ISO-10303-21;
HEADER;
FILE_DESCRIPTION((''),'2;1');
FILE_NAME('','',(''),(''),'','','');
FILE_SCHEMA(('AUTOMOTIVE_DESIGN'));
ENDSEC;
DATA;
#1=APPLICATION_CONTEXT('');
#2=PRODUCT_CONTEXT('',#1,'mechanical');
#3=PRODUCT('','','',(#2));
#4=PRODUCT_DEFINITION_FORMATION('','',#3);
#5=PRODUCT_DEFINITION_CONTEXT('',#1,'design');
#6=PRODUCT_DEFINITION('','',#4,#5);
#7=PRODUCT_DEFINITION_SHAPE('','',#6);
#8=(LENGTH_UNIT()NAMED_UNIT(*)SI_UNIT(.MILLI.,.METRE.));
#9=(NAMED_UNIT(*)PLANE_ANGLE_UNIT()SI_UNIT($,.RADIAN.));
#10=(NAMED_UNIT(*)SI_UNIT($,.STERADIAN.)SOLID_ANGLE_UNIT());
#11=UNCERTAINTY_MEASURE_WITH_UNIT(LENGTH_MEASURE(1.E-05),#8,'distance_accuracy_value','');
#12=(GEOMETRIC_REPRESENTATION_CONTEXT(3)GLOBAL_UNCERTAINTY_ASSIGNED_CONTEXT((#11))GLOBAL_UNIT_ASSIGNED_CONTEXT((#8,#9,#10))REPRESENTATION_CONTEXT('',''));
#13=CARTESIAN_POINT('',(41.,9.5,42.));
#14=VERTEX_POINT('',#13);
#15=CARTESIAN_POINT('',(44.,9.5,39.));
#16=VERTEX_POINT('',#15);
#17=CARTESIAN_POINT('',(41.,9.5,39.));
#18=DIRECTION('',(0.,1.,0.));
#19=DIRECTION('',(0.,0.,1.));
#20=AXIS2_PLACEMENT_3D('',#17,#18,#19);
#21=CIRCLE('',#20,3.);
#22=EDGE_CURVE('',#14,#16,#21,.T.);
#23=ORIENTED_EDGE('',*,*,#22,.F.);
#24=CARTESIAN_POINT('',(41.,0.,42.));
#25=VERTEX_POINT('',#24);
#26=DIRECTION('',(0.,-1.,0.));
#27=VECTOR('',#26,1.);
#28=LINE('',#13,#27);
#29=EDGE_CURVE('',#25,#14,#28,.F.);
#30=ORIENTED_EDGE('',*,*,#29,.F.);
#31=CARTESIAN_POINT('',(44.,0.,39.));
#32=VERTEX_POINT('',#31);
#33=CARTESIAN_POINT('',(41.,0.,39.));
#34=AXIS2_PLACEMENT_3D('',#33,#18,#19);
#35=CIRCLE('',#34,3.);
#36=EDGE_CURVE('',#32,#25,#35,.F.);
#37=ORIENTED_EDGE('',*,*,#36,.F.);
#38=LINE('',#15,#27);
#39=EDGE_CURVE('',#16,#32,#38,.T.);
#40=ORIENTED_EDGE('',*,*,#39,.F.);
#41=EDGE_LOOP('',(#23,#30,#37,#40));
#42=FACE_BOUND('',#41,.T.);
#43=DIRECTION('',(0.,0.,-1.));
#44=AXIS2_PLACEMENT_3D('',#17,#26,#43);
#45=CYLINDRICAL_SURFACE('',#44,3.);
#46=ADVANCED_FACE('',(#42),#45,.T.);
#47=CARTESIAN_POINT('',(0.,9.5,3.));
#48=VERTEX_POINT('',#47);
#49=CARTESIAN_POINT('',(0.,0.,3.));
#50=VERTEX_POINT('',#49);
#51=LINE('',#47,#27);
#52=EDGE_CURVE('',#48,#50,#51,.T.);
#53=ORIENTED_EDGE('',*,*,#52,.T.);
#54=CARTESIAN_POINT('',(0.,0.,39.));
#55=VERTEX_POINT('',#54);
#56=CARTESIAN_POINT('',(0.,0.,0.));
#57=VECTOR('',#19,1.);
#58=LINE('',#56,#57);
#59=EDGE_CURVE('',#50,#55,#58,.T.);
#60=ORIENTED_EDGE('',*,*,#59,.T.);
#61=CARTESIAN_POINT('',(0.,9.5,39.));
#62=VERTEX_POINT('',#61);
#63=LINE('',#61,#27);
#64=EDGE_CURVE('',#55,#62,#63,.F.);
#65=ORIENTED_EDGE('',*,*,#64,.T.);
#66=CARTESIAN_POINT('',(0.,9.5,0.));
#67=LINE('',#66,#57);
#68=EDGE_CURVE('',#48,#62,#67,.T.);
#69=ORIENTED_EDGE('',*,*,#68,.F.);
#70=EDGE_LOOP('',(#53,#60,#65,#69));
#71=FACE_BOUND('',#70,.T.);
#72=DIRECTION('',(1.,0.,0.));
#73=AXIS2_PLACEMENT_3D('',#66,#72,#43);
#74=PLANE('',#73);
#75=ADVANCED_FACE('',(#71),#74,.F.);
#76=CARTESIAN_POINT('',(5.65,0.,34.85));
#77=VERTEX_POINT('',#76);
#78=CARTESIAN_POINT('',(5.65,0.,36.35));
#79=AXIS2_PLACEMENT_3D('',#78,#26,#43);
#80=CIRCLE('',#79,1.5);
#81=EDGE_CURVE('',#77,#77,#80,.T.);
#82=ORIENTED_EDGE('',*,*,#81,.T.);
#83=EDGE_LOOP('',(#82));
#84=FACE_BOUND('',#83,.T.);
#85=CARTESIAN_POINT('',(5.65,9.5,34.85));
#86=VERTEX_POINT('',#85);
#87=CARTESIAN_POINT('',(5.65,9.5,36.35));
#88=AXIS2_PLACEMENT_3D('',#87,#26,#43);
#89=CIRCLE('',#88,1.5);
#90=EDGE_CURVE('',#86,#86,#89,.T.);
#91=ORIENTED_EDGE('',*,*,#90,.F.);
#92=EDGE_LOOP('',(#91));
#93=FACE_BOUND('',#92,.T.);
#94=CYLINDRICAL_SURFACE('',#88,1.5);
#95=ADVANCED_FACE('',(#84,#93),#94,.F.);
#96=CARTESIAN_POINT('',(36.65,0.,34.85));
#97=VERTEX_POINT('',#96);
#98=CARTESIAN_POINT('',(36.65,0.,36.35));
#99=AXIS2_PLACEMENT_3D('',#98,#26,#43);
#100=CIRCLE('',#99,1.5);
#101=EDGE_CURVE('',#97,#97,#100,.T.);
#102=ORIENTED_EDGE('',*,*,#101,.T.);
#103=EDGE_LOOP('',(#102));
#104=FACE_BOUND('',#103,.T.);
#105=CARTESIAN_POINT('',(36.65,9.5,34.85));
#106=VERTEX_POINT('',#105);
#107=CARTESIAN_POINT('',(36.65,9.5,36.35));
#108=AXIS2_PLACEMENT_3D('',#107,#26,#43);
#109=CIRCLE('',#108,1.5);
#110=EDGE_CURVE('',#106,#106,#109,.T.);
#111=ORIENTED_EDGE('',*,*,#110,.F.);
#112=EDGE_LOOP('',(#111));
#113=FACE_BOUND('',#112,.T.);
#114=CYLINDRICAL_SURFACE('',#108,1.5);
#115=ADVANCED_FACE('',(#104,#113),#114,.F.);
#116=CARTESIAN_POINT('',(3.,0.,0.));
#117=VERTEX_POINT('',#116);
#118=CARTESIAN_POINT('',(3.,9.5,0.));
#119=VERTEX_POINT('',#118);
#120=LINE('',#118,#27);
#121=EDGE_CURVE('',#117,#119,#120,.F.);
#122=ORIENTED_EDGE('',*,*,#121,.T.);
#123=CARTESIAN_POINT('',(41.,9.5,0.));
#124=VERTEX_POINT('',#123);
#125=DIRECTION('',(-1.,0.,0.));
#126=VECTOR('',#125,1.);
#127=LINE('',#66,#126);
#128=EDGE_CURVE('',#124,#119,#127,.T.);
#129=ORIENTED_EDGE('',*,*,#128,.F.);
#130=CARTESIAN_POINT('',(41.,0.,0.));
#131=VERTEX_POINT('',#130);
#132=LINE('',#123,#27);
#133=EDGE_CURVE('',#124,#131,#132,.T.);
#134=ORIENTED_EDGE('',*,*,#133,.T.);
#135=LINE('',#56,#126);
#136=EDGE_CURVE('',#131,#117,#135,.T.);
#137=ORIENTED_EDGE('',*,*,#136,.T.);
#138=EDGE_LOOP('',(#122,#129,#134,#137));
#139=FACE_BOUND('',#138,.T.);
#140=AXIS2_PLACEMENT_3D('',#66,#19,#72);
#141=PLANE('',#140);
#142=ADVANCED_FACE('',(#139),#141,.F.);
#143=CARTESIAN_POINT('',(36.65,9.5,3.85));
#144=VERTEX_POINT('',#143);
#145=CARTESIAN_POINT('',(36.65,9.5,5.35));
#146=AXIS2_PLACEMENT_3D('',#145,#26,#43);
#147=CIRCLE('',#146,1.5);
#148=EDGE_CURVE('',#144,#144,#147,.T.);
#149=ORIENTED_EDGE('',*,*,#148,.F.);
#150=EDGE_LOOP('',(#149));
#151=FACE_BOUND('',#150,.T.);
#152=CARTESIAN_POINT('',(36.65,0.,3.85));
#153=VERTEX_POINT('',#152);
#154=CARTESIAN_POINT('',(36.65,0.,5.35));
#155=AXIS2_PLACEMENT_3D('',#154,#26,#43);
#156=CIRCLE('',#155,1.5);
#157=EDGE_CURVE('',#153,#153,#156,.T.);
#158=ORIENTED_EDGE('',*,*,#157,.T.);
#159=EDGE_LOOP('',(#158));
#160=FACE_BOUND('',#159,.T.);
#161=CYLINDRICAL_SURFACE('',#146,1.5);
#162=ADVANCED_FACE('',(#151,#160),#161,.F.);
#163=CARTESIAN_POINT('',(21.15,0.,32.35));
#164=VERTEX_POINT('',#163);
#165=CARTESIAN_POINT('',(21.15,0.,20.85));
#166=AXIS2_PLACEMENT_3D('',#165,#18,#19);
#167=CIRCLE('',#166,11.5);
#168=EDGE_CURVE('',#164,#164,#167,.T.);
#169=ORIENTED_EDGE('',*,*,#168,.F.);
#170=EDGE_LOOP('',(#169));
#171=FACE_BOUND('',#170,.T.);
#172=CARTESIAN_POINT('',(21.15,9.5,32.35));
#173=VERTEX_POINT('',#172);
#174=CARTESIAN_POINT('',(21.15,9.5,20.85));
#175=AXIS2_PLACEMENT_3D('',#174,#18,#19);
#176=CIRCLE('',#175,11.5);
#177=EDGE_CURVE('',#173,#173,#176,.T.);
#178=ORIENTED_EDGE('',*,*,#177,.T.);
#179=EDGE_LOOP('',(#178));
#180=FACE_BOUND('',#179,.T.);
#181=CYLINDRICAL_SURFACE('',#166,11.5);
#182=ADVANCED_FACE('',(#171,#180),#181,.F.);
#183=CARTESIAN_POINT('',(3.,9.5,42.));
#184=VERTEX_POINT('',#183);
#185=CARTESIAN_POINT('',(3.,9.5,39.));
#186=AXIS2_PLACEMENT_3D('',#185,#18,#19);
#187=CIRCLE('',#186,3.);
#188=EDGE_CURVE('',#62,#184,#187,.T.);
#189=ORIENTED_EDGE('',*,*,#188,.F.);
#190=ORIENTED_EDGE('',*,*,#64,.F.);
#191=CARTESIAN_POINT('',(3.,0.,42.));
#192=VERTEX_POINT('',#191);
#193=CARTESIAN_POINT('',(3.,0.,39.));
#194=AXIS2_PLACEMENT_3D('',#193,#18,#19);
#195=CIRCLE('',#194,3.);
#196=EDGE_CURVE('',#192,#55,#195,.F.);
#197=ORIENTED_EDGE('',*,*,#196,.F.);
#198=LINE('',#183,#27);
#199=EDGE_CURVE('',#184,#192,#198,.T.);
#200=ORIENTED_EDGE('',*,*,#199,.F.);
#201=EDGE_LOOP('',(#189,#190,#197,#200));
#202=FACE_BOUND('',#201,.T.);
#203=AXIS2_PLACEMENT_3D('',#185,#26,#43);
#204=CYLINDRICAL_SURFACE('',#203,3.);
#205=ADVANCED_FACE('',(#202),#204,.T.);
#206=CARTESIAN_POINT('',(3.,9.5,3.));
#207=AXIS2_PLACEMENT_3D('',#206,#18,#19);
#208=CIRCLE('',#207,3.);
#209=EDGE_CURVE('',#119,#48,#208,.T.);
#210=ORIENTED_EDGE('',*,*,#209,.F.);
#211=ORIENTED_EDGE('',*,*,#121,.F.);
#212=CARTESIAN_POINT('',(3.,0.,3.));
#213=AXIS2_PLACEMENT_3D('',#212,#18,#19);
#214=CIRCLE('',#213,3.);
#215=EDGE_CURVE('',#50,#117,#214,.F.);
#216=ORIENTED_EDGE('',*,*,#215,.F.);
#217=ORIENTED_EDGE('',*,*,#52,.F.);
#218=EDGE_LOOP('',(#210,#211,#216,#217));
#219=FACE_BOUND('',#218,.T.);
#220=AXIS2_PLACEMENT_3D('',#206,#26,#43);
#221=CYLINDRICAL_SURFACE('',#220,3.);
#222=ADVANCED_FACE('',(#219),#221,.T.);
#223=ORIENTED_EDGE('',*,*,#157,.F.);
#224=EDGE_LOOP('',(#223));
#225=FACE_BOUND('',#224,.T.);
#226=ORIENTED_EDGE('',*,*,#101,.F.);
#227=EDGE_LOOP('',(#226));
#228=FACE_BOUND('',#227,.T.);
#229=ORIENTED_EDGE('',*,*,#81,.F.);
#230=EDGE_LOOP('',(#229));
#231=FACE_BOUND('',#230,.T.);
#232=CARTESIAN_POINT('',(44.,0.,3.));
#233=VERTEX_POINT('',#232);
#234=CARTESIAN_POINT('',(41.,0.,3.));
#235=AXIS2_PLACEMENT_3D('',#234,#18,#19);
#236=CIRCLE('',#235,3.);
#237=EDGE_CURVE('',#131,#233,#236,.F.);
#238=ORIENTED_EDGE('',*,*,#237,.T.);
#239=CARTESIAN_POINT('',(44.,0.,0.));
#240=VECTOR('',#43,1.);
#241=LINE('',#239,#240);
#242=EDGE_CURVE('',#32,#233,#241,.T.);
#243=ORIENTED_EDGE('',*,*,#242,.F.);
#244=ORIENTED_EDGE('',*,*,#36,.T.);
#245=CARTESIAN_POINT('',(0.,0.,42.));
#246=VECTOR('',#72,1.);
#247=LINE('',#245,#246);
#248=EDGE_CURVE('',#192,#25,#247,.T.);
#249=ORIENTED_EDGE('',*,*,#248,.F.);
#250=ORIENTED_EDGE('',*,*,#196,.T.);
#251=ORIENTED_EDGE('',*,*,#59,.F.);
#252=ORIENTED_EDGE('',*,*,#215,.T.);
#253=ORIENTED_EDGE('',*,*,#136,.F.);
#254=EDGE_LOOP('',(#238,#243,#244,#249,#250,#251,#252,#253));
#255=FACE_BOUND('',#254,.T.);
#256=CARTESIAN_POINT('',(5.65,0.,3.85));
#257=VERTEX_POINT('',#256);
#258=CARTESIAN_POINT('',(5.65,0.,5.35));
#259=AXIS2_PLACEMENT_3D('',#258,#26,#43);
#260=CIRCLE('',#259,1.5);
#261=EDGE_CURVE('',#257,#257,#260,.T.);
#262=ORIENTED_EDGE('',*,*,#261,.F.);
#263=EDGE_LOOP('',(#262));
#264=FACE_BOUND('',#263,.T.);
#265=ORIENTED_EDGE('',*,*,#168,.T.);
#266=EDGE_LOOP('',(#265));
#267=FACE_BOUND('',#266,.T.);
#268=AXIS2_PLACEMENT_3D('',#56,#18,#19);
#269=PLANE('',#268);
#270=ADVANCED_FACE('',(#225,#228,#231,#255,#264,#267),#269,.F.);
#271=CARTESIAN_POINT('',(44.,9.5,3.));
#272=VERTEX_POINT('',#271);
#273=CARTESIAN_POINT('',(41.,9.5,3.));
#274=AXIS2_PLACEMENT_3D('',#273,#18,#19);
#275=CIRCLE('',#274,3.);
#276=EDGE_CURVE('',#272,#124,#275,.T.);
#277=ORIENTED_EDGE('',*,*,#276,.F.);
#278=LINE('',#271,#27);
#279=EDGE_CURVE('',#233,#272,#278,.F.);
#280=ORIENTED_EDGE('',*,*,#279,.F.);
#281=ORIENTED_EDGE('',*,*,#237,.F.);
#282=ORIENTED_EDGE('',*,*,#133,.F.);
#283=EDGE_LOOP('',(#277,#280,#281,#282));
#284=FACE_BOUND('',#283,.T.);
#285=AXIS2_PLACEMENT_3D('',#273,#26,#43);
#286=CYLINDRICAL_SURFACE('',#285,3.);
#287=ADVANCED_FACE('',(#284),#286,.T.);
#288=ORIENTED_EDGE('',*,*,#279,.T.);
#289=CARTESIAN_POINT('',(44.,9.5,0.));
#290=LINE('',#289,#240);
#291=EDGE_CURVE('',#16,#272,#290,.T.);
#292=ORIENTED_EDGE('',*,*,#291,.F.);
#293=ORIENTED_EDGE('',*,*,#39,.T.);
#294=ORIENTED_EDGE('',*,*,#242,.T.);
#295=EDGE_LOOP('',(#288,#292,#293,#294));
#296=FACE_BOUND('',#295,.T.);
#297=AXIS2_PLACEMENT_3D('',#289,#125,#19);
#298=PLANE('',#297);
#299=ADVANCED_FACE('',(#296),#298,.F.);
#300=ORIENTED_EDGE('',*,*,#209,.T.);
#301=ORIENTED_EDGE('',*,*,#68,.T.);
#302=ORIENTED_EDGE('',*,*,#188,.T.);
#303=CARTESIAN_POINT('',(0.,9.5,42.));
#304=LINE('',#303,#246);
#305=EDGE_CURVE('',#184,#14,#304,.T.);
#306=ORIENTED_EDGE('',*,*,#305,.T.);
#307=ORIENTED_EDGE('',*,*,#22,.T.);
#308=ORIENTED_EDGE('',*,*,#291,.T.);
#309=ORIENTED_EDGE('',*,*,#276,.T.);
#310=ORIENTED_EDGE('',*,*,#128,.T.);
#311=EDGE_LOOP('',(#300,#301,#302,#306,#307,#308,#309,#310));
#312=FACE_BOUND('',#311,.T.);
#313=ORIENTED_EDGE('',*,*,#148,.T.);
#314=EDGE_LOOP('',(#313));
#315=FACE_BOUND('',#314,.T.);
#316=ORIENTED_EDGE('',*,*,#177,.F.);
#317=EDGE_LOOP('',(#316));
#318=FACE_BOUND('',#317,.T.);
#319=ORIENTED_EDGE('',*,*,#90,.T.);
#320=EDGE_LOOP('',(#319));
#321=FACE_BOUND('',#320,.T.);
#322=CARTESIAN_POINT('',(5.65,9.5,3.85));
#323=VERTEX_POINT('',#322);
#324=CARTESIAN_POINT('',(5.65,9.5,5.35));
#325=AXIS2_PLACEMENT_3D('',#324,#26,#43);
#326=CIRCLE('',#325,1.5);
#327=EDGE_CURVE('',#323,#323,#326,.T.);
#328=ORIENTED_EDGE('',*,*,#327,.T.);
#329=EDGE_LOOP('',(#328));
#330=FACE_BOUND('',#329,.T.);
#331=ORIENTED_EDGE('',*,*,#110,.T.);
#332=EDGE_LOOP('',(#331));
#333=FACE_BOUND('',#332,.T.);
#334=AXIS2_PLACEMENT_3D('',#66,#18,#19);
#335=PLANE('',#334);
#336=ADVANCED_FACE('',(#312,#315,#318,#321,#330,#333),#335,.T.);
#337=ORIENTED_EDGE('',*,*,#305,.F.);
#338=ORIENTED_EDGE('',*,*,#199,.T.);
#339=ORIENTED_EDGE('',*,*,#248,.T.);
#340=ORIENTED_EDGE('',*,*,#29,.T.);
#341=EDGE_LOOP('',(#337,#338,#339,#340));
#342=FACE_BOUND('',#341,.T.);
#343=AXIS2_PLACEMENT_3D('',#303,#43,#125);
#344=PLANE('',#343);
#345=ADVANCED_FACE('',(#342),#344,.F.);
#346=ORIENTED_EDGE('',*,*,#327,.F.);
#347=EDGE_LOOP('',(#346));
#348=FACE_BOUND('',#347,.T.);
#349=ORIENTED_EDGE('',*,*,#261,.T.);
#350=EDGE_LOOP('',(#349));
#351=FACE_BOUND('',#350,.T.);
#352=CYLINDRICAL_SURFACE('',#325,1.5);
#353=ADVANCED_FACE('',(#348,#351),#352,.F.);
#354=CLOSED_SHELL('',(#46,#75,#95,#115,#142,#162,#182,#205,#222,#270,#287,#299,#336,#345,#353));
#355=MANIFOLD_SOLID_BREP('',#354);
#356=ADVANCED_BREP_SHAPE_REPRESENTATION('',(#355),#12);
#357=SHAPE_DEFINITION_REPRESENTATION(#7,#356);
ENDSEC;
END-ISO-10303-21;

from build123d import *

# Parameters (mm, degrees)
SKETCH_1_W          = 44
SKETCH_1_H          = 42
EXTRUDE_1_DEPTH     = 9.5
SKETCH_2_R          = 11.5
CUT_EXTRUDE_1_DEPTH = 62.565006294
FILLET_1_R          = 3
SKETCH_5_R          = 1.5
CUT_EXTRUDE_2_DEPTH = 62.565006294


with BuildPart() as part:
    # 草图1 → 凸台-拉伸1 (new body)
    with BuildSketch(Plane(origin=(0, 0, 0), x_dir=(1, 0, 0), z_dir=(0, 1, 0))):
        with Locations((22, -21)):
            Rectangle(SKETCH_1_W, SKETCH_1_H)
    extrude(amount=EXTRUDE_1_DEPTH)

    # 草图2 → 切除-拉伸1 (cut, through all)
    with BuildSketch(Plane(origin=(0, 9.5, 0), x_dir=(1, 0, 0), z_dir=(0, 1, 0))):
        with Locations(Location((21.15, -20.85, 0), (0, 0, 270))):
            Circle(SKETCH_2_R)
    extrude(amount=-CUT_EXTRUDE_1_DEPTH, mode=Mode.SUBTRACT)

    # 圆角1
    fillet_1_edges = [part.edges().sort_by_distance(p)[0] for p in [
        (0, 4.75, 0),
        (44, 4.75, 0),
        (44, 4.75, 42),
        (0, 4.75, 42),
    ]]
    fillet(fillet_1_edges, radius=FILLET_1_R)

    # 草图5 → 切除-拉伸2 (cut, through all)
    with BuildSketch(Plane.XZ):
        with Locations(Location((36.65, 36.35, 0), (0, 0, 270))):
            Circle(SKETCH_5_R)
        with Locations(Location((5.65, 36.35, 0), (0, 0, 270))):
            Circle(SKETCH_5_R)
        with Locations(Location((5.65, 5.35, 0), (0, 0, 270))):
            Circle(SKETCH_5_R)
        with Locations(Location((36.65, 5.35, 0), (0, 0, 270))):
            Circle(SKETCH_5_R)
    extrude(amount=-CUT_EXTRUDE_2_DEPTH, mode=Mode.SUBTRACT)


solid = part.part
